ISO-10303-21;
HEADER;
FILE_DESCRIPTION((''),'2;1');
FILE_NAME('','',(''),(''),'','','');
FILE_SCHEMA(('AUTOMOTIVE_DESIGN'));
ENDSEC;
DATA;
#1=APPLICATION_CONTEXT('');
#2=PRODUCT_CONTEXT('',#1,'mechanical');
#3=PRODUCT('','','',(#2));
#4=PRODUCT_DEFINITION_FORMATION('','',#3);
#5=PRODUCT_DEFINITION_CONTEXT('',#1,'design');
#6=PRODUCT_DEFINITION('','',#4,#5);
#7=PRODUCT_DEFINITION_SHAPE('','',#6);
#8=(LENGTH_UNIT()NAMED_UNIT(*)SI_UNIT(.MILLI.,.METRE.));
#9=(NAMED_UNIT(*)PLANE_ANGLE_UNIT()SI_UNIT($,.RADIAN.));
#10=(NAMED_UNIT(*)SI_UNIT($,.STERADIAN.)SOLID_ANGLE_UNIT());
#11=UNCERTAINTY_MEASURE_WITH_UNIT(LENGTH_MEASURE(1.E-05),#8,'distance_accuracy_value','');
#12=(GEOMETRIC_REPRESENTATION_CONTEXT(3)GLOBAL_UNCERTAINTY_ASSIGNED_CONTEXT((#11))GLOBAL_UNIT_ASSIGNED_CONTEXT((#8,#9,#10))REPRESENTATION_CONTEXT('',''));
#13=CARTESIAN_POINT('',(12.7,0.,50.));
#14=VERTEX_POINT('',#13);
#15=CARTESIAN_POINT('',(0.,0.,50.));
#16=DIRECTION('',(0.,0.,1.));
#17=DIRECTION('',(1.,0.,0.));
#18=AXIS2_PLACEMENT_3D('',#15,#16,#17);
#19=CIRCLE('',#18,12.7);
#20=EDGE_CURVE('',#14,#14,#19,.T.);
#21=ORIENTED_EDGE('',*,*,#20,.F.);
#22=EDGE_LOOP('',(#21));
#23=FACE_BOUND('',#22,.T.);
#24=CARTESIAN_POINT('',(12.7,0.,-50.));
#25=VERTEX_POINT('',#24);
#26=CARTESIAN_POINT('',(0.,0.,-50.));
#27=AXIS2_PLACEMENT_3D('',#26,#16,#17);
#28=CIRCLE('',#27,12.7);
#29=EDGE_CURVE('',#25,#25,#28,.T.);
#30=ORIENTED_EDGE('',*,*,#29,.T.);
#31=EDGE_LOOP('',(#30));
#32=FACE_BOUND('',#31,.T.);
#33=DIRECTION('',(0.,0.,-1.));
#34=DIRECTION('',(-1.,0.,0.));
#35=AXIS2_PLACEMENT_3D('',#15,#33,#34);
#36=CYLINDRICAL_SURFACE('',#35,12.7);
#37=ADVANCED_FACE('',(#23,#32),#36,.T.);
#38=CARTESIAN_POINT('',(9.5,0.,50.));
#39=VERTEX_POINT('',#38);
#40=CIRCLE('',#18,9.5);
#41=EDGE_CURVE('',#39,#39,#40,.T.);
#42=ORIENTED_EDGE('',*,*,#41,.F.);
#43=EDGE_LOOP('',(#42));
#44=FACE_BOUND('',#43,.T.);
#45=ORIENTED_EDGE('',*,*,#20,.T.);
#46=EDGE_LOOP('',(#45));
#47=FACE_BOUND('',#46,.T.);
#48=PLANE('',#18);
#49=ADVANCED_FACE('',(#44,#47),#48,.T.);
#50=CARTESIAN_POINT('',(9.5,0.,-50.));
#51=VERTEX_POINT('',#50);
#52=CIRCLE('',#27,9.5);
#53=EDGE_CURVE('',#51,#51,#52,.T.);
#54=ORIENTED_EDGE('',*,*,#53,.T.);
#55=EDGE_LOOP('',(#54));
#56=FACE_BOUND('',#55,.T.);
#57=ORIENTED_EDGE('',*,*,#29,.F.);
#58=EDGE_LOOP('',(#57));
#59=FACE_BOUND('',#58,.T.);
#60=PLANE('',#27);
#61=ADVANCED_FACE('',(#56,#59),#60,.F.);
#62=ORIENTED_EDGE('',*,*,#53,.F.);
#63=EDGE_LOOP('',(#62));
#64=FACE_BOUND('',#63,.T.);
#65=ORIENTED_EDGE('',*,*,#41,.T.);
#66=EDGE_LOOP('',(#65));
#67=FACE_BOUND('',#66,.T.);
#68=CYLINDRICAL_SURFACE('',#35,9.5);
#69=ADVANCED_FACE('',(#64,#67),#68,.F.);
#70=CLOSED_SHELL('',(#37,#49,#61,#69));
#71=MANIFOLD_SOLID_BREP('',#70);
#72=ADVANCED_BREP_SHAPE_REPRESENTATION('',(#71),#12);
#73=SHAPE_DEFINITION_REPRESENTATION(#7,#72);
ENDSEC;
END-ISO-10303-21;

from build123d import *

# Parameters (mm, degrees)
CROQUIS1_R              = 12.7
CROQUIS1_R_2            = 9.5
SALIENTE_EXTRUIR1_DEPTH = 50


with BuildPart() as part:
    # Croquis1 → Saliente-Extruir1 (new, symmetric)
    with BuildSketch(Plane.XY):
        Circle(CROQUIS1_R)
        Circle(CROQUIS1_R_2, mode=Mode.SUBTRACT)
    extrude(amount=SALIENTE_EXTRUIR1_DEPTH, both=True)


solid = part.part
